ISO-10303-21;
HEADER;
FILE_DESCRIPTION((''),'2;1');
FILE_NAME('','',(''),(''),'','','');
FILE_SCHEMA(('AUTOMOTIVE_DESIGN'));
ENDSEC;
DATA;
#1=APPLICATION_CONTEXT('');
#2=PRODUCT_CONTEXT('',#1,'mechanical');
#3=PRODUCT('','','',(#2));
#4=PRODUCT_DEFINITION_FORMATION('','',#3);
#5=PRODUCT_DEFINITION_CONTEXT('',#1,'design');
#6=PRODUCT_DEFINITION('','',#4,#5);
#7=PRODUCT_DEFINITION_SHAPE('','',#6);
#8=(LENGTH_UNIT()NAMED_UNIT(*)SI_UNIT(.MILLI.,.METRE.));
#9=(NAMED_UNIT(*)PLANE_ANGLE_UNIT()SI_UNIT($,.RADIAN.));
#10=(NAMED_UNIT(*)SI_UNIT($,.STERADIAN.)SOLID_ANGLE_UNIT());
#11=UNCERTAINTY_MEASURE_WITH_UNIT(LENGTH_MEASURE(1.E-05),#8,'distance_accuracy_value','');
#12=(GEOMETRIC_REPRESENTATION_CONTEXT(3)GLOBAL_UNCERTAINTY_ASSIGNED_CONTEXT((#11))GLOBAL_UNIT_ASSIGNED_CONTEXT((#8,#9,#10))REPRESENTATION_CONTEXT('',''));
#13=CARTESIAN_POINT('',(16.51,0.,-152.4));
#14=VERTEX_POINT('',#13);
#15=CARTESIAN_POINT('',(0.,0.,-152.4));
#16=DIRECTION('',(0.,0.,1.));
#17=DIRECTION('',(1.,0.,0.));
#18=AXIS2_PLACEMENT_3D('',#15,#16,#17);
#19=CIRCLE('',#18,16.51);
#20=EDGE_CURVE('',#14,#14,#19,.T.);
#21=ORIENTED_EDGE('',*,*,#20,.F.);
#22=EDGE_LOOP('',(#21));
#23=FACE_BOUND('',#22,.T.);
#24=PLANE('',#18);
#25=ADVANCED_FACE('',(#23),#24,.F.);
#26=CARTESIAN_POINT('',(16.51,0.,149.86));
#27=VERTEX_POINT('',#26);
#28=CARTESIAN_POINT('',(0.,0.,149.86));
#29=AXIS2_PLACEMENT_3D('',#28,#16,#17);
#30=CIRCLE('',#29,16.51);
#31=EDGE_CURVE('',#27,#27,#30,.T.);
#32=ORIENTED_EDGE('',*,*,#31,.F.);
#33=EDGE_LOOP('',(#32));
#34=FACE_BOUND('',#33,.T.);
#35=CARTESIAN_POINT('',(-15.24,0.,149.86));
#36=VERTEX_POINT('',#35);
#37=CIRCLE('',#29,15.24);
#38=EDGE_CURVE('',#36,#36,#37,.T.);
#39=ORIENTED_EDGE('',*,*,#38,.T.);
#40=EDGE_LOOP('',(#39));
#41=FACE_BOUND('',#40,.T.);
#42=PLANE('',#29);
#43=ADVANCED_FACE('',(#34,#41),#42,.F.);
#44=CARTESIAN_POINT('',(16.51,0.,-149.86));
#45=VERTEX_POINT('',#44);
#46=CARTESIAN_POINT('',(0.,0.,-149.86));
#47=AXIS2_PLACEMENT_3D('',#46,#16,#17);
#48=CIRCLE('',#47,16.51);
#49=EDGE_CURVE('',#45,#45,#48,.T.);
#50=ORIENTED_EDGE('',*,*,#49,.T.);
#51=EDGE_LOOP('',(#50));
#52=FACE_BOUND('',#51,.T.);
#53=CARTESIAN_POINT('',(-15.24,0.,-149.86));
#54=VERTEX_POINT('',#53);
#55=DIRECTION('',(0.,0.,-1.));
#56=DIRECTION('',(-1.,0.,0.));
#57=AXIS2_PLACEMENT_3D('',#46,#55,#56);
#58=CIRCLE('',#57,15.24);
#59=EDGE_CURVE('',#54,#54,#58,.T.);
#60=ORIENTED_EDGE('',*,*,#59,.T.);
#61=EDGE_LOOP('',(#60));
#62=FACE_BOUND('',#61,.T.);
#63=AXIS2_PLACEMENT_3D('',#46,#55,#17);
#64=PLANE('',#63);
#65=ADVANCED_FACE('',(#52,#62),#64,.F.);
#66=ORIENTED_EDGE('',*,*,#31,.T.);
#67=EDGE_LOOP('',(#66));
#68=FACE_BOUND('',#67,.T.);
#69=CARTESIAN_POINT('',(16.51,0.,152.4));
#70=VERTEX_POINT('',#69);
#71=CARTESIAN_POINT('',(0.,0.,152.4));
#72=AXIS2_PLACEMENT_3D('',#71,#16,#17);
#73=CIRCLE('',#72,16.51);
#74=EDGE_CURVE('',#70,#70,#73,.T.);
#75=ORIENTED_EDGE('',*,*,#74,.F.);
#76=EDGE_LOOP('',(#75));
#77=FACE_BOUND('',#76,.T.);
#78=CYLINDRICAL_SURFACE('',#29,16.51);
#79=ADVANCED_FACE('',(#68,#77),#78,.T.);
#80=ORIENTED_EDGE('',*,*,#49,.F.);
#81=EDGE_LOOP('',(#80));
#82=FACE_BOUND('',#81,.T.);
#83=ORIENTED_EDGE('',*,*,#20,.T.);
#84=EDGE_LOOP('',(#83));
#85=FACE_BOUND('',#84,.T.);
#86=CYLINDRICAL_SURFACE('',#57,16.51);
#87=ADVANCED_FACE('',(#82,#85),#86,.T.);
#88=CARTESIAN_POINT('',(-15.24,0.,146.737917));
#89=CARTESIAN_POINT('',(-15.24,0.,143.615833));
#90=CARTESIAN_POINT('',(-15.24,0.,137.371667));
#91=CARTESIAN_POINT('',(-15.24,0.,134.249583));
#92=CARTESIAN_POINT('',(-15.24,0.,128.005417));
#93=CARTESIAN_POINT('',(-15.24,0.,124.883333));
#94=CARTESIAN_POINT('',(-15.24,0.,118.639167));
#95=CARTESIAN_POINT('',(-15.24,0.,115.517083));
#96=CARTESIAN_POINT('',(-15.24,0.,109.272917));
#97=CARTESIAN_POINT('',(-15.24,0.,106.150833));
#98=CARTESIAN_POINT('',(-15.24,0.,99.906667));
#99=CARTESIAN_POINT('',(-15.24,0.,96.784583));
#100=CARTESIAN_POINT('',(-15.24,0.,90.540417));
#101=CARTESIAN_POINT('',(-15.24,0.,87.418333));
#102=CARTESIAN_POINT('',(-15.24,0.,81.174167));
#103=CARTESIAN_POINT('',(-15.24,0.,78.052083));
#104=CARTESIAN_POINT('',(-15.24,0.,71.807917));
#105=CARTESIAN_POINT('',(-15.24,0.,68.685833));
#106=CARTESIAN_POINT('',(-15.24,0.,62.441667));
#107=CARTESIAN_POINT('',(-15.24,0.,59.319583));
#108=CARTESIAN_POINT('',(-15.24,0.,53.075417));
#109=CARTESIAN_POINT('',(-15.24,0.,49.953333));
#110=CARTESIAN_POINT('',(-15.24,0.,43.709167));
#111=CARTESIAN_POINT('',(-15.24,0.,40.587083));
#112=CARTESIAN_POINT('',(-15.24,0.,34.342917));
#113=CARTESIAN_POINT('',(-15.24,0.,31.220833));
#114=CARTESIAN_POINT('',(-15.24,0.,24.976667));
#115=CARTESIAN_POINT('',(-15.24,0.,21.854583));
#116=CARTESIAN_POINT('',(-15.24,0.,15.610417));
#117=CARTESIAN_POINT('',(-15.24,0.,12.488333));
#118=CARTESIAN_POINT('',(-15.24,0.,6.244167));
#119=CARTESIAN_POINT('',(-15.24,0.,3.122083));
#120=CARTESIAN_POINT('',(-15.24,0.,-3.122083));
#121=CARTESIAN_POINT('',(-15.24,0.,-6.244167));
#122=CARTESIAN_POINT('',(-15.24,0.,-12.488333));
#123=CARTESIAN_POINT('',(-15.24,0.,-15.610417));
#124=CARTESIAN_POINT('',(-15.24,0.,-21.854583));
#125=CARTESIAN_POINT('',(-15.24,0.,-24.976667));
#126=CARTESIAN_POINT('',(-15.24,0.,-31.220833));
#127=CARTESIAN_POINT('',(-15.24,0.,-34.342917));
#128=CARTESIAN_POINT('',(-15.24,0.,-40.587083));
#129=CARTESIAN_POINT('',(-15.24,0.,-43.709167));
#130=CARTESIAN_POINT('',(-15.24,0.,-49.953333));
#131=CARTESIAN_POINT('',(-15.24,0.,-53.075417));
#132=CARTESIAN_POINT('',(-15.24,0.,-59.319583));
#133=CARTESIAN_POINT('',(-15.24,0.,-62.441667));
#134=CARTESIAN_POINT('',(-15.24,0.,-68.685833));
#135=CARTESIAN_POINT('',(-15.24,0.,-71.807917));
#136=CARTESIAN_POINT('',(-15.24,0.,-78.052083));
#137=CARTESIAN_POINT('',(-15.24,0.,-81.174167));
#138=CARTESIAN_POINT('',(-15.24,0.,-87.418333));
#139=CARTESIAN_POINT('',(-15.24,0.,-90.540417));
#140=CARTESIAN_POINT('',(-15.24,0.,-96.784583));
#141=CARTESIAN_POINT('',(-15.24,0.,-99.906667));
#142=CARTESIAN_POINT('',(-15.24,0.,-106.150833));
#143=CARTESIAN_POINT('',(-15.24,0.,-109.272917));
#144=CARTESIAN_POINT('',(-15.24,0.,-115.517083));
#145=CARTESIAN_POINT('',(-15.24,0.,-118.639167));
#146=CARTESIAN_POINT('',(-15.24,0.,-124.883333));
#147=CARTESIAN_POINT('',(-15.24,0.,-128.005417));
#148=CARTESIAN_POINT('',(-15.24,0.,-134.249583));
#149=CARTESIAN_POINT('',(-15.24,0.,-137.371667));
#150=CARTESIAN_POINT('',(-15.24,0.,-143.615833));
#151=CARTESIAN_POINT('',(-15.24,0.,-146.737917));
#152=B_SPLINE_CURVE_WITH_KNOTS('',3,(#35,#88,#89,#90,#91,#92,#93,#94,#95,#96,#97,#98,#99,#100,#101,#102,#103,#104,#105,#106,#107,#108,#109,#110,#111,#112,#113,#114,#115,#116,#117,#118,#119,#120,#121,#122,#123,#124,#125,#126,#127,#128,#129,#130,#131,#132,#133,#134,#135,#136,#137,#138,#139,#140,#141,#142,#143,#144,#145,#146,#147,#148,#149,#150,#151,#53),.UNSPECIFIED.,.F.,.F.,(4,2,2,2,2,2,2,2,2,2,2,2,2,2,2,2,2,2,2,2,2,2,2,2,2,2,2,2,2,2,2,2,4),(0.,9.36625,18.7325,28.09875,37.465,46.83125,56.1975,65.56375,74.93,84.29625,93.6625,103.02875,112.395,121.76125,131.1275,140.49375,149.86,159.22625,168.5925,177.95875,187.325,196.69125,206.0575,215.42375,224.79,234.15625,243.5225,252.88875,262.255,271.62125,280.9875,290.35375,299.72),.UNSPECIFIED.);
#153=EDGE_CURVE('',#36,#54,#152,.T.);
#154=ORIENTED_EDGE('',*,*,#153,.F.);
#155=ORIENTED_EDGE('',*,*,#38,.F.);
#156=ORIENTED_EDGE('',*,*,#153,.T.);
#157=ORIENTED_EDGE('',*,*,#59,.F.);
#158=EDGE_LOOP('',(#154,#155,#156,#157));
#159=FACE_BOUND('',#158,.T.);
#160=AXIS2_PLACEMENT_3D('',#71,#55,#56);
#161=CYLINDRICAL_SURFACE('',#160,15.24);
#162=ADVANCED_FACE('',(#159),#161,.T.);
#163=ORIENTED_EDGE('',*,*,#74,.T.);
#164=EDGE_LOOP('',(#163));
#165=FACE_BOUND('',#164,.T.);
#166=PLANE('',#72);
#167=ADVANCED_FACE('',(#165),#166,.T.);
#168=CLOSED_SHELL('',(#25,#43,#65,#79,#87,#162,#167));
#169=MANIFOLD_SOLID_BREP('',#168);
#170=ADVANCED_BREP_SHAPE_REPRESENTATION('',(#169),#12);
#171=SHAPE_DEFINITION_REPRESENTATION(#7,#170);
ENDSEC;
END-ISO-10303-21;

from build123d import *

# Parameters (mm, degrees)
SKETCH1_R           = 15.24
BOSS_EXTRUDE1_DEPTH = 152.4
SKETCH2_R           = 16.51
BOSS_EXTRUDE2_DEPTH = 2.54


with BuildPart() as part:
    # Sketch1 → Boss-Extrude1 (new, symmetric)
    with BuildSketch(Plane.XY):
        with Locations(Location((0, 0, 0), (0, 0, 180))):
            Circle(SKETCH1_R)
    extrude(amount=BOSS_EXTRUDE1_DEPTH, both=True)

    # Sketch2 → Boss-Extrude2 (add)
    with BuildSketch(Plane.XY.offset(152.4)):
        Circle(SKETCH2_R)
    boss_extrude2 = extrude(amount=-BOSS_EXTRUDE2_DEPTH)

    # Mirror1: Boss-Extrude2 across plane
    add(boss_extrude2.mirror(Plane.XY))


solid = part.part
